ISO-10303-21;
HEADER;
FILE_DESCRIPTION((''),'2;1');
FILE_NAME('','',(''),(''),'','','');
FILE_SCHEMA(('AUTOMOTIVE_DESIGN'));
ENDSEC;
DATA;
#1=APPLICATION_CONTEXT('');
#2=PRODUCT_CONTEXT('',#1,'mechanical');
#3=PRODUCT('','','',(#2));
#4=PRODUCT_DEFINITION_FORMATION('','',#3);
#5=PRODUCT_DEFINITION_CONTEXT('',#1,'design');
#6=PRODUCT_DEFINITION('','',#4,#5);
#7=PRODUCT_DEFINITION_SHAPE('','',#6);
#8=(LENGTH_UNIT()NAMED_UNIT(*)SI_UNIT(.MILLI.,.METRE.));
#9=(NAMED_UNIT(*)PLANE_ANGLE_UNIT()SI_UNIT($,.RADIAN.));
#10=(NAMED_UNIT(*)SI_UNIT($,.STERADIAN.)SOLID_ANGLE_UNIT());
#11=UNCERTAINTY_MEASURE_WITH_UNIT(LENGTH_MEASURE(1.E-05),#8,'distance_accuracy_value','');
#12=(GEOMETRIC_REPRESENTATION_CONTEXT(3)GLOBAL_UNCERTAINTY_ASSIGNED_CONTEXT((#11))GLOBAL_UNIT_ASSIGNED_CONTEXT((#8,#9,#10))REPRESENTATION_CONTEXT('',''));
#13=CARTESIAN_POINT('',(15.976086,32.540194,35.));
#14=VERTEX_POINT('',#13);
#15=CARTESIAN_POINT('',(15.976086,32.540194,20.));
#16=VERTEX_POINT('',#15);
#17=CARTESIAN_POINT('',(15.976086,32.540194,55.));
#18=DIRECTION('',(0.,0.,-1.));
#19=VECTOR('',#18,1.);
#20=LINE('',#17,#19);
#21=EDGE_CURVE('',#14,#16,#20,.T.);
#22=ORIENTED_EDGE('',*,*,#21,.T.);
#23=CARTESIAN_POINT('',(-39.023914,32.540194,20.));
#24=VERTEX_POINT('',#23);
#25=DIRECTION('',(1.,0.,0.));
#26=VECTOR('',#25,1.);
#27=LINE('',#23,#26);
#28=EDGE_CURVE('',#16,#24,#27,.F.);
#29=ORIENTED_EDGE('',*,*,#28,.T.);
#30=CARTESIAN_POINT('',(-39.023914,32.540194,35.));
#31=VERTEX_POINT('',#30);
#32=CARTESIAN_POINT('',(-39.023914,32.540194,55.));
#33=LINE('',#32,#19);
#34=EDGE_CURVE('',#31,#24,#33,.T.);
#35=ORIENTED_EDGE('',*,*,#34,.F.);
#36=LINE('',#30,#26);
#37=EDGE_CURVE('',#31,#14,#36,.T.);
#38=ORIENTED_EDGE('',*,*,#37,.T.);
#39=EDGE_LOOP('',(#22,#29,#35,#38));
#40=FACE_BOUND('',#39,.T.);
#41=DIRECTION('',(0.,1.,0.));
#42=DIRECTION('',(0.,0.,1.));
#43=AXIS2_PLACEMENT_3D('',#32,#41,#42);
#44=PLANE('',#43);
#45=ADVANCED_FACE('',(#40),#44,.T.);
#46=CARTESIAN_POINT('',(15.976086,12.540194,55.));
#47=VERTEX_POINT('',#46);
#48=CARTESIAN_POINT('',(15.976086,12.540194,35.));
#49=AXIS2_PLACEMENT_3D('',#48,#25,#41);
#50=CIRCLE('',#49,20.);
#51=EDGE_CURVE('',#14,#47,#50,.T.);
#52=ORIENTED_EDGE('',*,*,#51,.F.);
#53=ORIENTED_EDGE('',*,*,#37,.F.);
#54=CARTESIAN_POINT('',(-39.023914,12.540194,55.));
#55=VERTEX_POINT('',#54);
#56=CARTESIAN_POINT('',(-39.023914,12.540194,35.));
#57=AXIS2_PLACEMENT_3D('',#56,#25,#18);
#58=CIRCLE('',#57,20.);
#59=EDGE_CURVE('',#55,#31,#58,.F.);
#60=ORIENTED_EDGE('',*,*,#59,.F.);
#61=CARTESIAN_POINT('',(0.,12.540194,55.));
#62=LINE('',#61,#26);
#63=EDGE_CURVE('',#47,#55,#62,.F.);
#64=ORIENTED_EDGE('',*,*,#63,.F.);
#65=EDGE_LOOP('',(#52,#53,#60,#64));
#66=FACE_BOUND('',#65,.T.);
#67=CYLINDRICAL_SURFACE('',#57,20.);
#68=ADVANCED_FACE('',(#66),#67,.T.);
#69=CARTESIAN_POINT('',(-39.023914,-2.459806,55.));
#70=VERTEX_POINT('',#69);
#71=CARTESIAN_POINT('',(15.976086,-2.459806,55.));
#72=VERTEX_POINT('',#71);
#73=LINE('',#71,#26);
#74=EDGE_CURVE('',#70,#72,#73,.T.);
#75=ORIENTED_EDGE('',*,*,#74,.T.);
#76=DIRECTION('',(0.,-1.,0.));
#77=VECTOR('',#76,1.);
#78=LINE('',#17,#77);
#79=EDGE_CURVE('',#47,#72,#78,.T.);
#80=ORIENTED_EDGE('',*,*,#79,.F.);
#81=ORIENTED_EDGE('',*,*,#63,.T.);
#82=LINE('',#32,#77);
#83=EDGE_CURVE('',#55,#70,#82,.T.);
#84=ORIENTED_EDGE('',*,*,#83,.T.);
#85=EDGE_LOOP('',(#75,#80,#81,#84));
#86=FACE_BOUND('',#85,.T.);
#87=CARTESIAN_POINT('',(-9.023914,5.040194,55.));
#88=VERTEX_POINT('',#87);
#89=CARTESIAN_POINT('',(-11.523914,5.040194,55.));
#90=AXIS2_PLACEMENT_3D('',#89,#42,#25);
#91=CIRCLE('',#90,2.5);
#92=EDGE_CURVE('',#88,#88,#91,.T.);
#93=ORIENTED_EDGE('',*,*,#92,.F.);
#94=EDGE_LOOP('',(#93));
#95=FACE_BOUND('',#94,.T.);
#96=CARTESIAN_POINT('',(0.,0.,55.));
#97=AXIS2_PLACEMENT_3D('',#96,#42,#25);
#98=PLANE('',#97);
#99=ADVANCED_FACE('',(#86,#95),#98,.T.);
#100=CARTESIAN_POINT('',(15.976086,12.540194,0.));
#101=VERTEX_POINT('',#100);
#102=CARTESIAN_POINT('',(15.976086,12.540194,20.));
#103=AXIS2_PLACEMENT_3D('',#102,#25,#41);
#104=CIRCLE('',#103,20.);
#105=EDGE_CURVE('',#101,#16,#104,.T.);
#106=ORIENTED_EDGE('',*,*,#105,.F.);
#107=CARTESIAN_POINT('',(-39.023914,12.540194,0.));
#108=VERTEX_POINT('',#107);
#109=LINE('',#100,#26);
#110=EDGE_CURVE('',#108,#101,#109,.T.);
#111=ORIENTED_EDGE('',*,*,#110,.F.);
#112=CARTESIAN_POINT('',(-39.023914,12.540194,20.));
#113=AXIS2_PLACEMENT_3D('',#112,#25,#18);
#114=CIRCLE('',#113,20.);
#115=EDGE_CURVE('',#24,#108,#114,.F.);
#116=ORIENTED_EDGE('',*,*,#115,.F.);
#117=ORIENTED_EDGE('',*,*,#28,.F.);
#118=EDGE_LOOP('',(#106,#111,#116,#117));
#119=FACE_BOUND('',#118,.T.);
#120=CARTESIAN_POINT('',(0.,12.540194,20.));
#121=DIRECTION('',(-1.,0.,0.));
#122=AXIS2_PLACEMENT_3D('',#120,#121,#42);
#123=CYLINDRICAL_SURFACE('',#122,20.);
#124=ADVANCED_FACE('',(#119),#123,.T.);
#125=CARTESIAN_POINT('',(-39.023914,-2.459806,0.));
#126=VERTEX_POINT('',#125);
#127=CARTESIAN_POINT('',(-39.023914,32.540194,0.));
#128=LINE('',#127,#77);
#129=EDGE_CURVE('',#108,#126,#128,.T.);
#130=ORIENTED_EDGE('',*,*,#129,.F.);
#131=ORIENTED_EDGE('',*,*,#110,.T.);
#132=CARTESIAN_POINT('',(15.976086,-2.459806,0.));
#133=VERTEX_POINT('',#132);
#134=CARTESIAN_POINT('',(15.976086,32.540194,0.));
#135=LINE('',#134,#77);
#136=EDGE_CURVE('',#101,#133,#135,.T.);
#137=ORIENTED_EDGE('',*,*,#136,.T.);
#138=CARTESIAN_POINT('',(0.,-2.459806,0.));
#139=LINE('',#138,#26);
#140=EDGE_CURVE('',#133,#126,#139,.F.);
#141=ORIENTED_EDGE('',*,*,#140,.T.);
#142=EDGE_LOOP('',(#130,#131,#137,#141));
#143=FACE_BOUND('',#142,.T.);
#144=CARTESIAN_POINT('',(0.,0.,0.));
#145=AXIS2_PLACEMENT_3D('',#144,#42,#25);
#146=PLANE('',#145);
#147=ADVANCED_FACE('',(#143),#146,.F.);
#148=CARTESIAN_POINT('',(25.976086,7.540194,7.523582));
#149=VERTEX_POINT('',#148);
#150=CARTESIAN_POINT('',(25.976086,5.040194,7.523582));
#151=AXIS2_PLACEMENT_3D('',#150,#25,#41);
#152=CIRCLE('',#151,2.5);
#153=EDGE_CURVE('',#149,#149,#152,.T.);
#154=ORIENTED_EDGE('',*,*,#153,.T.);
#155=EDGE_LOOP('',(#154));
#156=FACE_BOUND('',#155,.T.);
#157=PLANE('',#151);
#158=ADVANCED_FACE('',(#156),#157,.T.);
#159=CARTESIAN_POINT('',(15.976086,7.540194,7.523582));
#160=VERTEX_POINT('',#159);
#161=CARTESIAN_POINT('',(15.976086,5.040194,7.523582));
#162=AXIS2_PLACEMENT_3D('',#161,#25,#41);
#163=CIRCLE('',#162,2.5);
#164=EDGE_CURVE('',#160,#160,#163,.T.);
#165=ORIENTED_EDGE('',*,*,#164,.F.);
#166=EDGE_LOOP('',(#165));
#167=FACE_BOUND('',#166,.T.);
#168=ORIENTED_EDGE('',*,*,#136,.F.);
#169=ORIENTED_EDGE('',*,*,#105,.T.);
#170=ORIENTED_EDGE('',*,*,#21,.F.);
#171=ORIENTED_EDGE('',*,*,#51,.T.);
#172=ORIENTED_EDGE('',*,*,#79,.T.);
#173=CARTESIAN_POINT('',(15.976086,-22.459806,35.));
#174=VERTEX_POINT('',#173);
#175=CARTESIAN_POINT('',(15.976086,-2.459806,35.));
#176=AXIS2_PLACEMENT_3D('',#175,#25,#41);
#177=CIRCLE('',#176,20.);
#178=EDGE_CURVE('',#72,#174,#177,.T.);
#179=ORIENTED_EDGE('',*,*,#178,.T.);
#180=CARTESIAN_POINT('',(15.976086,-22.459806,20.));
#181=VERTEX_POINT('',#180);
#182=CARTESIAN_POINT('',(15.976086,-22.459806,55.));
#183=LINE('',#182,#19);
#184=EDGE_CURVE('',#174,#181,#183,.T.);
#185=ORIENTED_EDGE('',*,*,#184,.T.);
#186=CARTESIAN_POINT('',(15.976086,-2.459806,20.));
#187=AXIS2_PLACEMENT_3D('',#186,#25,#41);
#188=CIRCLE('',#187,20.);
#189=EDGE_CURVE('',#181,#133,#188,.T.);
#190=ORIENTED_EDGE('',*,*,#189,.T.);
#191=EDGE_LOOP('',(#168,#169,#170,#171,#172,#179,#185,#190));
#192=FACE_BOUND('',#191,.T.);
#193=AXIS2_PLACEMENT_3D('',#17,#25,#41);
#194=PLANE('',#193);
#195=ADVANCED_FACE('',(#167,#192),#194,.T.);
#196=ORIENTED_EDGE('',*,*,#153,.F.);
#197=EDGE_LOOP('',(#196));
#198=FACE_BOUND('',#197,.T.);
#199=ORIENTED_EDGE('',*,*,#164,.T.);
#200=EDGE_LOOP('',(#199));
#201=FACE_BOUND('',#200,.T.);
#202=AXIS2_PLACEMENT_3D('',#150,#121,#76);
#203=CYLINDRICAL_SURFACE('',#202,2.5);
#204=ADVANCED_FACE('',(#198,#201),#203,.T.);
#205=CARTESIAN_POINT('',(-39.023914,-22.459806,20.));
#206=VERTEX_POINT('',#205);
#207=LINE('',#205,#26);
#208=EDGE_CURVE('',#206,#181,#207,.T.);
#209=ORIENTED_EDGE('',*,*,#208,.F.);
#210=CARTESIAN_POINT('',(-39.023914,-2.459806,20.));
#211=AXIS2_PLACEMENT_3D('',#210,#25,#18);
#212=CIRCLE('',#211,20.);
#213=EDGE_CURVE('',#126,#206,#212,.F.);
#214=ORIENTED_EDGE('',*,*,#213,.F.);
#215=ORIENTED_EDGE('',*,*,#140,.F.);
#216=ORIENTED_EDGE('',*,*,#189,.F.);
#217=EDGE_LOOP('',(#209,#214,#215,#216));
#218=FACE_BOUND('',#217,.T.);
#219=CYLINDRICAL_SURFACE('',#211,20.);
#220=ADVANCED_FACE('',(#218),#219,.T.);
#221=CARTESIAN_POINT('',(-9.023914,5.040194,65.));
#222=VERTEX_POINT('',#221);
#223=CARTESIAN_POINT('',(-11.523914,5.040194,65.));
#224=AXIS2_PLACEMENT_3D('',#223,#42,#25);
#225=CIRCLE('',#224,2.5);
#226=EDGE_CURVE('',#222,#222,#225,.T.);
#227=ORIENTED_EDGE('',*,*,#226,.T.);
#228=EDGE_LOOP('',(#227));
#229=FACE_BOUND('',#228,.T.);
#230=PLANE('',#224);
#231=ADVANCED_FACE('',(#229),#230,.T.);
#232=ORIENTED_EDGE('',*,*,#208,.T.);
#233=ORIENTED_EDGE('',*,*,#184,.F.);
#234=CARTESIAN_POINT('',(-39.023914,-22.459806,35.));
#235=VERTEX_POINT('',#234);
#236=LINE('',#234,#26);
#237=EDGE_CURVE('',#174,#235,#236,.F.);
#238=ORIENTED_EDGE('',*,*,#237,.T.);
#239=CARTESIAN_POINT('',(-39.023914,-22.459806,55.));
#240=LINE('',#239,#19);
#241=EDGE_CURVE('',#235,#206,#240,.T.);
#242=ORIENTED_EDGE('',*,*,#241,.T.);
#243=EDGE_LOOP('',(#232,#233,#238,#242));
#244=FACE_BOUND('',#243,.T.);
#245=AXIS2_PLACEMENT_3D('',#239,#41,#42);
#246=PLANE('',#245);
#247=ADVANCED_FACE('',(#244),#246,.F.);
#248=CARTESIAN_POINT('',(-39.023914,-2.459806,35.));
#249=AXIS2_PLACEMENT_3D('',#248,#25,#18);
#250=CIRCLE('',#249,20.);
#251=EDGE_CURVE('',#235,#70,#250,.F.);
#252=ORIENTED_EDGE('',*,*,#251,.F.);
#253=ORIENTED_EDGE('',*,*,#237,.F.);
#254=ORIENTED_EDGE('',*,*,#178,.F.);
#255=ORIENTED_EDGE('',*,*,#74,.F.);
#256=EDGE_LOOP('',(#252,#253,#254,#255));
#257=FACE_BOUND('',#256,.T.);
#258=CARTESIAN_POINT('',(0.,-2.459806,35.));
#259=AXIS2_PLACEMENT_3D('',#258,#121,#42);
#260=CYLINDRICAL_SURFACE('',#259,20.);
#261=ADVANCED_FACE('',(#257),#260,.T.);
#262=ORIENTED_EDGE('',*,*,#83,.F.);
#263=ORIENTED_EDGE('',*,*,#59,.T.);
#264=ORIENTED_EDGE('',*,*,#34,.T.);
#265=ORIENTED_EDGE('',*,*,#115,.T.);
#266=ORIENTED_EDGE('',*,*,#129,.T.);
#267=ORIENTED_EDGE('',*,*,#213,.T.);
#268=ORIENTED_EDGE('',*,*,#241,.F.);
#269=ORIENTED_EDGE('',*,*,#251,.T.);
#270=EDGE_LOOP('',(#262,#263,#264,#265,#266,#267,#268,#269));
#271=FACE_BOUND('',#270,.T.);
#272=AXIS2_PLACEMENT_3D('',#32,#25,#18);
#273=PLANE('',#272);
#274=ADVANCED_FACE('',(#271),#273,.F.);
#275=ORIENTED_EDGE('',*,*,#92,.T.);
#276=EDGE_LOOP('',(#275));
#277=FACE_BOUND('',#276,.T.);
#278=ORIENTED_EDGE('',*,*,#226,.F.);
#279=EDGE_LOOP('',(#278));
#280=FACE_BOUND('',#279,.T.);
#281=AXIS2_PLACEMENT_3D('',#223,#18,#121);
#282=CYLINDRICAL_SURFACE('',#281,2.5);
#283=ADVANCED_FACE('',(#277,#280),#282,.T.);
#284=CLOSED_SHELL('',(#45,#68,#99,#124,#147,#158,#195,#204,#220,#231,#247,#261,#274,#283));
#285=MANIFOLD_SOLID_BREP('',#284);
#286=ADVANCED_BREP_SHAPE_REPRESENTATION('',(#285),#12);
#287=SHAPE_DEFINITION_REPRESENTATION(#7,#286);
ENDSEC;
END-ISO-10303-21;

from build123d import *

# Parameters (mm, degrees)
SKETCH_1_W      = 55
SKETCH_1_H      = 55
EXTRUDE_1_DEPTH = 55
SKETCH_2_R      = 2.5
EXTRUDE_2_DEPTH = 10
SKETCH_3_R      = 2.5
EXTRUDE_3_DEPTH = 10
FILLET_1_R      = 20


with BuildPart() as part:
    # Эскиз1 → Бобышка-Вытянуть1 (new body)
    with BuildSketch(Plane.XY):
        with Locations((-11.523913591, 5.040193617)):
            Rectangle(SKETCH_1_W, SKETCH_1_H)
    extrude(amount=EXTRUDE_1_DEPTH)

    # Эскиз2 → Бобышка-Вытянуть2 (add)
    with BuildSketch(Plane(origin=(15.976086409, 0, 0), x_dir=(0, 0, -1), z_dir=(1, 0, 0))):
        with Locations((-7.523581631, 5.040193617)):
            Circle(SKETCH_2_R)
    extrude(amount=EXTRUDE_2_DEPTH)

    # Эскиз3 → Бобышка-Вытянуть3 (add)
    with BuildSketch(Plane.XY.offset(55)):
        with Locations((-11.523913591, 5.040193617)):
            Circle(SKETCH_3_R)
    extrude(amount=EXTRUDE_3_DEPTH)

    # Скругление1
    fillet_1_edges = [part.edges().sort_by_distance(p)[0] for p in [
        (-11.523913591, 32.540193617, 55),
        (-11.523913591, 32.540193617, 0),
        (-11.523913591, -22.459806383, 0),
        (-11.523913591, -22.459806383, 55),
    ]]
    fillet(fillet_1_edges, radius=FILLET_1_R)


solid = part.part
